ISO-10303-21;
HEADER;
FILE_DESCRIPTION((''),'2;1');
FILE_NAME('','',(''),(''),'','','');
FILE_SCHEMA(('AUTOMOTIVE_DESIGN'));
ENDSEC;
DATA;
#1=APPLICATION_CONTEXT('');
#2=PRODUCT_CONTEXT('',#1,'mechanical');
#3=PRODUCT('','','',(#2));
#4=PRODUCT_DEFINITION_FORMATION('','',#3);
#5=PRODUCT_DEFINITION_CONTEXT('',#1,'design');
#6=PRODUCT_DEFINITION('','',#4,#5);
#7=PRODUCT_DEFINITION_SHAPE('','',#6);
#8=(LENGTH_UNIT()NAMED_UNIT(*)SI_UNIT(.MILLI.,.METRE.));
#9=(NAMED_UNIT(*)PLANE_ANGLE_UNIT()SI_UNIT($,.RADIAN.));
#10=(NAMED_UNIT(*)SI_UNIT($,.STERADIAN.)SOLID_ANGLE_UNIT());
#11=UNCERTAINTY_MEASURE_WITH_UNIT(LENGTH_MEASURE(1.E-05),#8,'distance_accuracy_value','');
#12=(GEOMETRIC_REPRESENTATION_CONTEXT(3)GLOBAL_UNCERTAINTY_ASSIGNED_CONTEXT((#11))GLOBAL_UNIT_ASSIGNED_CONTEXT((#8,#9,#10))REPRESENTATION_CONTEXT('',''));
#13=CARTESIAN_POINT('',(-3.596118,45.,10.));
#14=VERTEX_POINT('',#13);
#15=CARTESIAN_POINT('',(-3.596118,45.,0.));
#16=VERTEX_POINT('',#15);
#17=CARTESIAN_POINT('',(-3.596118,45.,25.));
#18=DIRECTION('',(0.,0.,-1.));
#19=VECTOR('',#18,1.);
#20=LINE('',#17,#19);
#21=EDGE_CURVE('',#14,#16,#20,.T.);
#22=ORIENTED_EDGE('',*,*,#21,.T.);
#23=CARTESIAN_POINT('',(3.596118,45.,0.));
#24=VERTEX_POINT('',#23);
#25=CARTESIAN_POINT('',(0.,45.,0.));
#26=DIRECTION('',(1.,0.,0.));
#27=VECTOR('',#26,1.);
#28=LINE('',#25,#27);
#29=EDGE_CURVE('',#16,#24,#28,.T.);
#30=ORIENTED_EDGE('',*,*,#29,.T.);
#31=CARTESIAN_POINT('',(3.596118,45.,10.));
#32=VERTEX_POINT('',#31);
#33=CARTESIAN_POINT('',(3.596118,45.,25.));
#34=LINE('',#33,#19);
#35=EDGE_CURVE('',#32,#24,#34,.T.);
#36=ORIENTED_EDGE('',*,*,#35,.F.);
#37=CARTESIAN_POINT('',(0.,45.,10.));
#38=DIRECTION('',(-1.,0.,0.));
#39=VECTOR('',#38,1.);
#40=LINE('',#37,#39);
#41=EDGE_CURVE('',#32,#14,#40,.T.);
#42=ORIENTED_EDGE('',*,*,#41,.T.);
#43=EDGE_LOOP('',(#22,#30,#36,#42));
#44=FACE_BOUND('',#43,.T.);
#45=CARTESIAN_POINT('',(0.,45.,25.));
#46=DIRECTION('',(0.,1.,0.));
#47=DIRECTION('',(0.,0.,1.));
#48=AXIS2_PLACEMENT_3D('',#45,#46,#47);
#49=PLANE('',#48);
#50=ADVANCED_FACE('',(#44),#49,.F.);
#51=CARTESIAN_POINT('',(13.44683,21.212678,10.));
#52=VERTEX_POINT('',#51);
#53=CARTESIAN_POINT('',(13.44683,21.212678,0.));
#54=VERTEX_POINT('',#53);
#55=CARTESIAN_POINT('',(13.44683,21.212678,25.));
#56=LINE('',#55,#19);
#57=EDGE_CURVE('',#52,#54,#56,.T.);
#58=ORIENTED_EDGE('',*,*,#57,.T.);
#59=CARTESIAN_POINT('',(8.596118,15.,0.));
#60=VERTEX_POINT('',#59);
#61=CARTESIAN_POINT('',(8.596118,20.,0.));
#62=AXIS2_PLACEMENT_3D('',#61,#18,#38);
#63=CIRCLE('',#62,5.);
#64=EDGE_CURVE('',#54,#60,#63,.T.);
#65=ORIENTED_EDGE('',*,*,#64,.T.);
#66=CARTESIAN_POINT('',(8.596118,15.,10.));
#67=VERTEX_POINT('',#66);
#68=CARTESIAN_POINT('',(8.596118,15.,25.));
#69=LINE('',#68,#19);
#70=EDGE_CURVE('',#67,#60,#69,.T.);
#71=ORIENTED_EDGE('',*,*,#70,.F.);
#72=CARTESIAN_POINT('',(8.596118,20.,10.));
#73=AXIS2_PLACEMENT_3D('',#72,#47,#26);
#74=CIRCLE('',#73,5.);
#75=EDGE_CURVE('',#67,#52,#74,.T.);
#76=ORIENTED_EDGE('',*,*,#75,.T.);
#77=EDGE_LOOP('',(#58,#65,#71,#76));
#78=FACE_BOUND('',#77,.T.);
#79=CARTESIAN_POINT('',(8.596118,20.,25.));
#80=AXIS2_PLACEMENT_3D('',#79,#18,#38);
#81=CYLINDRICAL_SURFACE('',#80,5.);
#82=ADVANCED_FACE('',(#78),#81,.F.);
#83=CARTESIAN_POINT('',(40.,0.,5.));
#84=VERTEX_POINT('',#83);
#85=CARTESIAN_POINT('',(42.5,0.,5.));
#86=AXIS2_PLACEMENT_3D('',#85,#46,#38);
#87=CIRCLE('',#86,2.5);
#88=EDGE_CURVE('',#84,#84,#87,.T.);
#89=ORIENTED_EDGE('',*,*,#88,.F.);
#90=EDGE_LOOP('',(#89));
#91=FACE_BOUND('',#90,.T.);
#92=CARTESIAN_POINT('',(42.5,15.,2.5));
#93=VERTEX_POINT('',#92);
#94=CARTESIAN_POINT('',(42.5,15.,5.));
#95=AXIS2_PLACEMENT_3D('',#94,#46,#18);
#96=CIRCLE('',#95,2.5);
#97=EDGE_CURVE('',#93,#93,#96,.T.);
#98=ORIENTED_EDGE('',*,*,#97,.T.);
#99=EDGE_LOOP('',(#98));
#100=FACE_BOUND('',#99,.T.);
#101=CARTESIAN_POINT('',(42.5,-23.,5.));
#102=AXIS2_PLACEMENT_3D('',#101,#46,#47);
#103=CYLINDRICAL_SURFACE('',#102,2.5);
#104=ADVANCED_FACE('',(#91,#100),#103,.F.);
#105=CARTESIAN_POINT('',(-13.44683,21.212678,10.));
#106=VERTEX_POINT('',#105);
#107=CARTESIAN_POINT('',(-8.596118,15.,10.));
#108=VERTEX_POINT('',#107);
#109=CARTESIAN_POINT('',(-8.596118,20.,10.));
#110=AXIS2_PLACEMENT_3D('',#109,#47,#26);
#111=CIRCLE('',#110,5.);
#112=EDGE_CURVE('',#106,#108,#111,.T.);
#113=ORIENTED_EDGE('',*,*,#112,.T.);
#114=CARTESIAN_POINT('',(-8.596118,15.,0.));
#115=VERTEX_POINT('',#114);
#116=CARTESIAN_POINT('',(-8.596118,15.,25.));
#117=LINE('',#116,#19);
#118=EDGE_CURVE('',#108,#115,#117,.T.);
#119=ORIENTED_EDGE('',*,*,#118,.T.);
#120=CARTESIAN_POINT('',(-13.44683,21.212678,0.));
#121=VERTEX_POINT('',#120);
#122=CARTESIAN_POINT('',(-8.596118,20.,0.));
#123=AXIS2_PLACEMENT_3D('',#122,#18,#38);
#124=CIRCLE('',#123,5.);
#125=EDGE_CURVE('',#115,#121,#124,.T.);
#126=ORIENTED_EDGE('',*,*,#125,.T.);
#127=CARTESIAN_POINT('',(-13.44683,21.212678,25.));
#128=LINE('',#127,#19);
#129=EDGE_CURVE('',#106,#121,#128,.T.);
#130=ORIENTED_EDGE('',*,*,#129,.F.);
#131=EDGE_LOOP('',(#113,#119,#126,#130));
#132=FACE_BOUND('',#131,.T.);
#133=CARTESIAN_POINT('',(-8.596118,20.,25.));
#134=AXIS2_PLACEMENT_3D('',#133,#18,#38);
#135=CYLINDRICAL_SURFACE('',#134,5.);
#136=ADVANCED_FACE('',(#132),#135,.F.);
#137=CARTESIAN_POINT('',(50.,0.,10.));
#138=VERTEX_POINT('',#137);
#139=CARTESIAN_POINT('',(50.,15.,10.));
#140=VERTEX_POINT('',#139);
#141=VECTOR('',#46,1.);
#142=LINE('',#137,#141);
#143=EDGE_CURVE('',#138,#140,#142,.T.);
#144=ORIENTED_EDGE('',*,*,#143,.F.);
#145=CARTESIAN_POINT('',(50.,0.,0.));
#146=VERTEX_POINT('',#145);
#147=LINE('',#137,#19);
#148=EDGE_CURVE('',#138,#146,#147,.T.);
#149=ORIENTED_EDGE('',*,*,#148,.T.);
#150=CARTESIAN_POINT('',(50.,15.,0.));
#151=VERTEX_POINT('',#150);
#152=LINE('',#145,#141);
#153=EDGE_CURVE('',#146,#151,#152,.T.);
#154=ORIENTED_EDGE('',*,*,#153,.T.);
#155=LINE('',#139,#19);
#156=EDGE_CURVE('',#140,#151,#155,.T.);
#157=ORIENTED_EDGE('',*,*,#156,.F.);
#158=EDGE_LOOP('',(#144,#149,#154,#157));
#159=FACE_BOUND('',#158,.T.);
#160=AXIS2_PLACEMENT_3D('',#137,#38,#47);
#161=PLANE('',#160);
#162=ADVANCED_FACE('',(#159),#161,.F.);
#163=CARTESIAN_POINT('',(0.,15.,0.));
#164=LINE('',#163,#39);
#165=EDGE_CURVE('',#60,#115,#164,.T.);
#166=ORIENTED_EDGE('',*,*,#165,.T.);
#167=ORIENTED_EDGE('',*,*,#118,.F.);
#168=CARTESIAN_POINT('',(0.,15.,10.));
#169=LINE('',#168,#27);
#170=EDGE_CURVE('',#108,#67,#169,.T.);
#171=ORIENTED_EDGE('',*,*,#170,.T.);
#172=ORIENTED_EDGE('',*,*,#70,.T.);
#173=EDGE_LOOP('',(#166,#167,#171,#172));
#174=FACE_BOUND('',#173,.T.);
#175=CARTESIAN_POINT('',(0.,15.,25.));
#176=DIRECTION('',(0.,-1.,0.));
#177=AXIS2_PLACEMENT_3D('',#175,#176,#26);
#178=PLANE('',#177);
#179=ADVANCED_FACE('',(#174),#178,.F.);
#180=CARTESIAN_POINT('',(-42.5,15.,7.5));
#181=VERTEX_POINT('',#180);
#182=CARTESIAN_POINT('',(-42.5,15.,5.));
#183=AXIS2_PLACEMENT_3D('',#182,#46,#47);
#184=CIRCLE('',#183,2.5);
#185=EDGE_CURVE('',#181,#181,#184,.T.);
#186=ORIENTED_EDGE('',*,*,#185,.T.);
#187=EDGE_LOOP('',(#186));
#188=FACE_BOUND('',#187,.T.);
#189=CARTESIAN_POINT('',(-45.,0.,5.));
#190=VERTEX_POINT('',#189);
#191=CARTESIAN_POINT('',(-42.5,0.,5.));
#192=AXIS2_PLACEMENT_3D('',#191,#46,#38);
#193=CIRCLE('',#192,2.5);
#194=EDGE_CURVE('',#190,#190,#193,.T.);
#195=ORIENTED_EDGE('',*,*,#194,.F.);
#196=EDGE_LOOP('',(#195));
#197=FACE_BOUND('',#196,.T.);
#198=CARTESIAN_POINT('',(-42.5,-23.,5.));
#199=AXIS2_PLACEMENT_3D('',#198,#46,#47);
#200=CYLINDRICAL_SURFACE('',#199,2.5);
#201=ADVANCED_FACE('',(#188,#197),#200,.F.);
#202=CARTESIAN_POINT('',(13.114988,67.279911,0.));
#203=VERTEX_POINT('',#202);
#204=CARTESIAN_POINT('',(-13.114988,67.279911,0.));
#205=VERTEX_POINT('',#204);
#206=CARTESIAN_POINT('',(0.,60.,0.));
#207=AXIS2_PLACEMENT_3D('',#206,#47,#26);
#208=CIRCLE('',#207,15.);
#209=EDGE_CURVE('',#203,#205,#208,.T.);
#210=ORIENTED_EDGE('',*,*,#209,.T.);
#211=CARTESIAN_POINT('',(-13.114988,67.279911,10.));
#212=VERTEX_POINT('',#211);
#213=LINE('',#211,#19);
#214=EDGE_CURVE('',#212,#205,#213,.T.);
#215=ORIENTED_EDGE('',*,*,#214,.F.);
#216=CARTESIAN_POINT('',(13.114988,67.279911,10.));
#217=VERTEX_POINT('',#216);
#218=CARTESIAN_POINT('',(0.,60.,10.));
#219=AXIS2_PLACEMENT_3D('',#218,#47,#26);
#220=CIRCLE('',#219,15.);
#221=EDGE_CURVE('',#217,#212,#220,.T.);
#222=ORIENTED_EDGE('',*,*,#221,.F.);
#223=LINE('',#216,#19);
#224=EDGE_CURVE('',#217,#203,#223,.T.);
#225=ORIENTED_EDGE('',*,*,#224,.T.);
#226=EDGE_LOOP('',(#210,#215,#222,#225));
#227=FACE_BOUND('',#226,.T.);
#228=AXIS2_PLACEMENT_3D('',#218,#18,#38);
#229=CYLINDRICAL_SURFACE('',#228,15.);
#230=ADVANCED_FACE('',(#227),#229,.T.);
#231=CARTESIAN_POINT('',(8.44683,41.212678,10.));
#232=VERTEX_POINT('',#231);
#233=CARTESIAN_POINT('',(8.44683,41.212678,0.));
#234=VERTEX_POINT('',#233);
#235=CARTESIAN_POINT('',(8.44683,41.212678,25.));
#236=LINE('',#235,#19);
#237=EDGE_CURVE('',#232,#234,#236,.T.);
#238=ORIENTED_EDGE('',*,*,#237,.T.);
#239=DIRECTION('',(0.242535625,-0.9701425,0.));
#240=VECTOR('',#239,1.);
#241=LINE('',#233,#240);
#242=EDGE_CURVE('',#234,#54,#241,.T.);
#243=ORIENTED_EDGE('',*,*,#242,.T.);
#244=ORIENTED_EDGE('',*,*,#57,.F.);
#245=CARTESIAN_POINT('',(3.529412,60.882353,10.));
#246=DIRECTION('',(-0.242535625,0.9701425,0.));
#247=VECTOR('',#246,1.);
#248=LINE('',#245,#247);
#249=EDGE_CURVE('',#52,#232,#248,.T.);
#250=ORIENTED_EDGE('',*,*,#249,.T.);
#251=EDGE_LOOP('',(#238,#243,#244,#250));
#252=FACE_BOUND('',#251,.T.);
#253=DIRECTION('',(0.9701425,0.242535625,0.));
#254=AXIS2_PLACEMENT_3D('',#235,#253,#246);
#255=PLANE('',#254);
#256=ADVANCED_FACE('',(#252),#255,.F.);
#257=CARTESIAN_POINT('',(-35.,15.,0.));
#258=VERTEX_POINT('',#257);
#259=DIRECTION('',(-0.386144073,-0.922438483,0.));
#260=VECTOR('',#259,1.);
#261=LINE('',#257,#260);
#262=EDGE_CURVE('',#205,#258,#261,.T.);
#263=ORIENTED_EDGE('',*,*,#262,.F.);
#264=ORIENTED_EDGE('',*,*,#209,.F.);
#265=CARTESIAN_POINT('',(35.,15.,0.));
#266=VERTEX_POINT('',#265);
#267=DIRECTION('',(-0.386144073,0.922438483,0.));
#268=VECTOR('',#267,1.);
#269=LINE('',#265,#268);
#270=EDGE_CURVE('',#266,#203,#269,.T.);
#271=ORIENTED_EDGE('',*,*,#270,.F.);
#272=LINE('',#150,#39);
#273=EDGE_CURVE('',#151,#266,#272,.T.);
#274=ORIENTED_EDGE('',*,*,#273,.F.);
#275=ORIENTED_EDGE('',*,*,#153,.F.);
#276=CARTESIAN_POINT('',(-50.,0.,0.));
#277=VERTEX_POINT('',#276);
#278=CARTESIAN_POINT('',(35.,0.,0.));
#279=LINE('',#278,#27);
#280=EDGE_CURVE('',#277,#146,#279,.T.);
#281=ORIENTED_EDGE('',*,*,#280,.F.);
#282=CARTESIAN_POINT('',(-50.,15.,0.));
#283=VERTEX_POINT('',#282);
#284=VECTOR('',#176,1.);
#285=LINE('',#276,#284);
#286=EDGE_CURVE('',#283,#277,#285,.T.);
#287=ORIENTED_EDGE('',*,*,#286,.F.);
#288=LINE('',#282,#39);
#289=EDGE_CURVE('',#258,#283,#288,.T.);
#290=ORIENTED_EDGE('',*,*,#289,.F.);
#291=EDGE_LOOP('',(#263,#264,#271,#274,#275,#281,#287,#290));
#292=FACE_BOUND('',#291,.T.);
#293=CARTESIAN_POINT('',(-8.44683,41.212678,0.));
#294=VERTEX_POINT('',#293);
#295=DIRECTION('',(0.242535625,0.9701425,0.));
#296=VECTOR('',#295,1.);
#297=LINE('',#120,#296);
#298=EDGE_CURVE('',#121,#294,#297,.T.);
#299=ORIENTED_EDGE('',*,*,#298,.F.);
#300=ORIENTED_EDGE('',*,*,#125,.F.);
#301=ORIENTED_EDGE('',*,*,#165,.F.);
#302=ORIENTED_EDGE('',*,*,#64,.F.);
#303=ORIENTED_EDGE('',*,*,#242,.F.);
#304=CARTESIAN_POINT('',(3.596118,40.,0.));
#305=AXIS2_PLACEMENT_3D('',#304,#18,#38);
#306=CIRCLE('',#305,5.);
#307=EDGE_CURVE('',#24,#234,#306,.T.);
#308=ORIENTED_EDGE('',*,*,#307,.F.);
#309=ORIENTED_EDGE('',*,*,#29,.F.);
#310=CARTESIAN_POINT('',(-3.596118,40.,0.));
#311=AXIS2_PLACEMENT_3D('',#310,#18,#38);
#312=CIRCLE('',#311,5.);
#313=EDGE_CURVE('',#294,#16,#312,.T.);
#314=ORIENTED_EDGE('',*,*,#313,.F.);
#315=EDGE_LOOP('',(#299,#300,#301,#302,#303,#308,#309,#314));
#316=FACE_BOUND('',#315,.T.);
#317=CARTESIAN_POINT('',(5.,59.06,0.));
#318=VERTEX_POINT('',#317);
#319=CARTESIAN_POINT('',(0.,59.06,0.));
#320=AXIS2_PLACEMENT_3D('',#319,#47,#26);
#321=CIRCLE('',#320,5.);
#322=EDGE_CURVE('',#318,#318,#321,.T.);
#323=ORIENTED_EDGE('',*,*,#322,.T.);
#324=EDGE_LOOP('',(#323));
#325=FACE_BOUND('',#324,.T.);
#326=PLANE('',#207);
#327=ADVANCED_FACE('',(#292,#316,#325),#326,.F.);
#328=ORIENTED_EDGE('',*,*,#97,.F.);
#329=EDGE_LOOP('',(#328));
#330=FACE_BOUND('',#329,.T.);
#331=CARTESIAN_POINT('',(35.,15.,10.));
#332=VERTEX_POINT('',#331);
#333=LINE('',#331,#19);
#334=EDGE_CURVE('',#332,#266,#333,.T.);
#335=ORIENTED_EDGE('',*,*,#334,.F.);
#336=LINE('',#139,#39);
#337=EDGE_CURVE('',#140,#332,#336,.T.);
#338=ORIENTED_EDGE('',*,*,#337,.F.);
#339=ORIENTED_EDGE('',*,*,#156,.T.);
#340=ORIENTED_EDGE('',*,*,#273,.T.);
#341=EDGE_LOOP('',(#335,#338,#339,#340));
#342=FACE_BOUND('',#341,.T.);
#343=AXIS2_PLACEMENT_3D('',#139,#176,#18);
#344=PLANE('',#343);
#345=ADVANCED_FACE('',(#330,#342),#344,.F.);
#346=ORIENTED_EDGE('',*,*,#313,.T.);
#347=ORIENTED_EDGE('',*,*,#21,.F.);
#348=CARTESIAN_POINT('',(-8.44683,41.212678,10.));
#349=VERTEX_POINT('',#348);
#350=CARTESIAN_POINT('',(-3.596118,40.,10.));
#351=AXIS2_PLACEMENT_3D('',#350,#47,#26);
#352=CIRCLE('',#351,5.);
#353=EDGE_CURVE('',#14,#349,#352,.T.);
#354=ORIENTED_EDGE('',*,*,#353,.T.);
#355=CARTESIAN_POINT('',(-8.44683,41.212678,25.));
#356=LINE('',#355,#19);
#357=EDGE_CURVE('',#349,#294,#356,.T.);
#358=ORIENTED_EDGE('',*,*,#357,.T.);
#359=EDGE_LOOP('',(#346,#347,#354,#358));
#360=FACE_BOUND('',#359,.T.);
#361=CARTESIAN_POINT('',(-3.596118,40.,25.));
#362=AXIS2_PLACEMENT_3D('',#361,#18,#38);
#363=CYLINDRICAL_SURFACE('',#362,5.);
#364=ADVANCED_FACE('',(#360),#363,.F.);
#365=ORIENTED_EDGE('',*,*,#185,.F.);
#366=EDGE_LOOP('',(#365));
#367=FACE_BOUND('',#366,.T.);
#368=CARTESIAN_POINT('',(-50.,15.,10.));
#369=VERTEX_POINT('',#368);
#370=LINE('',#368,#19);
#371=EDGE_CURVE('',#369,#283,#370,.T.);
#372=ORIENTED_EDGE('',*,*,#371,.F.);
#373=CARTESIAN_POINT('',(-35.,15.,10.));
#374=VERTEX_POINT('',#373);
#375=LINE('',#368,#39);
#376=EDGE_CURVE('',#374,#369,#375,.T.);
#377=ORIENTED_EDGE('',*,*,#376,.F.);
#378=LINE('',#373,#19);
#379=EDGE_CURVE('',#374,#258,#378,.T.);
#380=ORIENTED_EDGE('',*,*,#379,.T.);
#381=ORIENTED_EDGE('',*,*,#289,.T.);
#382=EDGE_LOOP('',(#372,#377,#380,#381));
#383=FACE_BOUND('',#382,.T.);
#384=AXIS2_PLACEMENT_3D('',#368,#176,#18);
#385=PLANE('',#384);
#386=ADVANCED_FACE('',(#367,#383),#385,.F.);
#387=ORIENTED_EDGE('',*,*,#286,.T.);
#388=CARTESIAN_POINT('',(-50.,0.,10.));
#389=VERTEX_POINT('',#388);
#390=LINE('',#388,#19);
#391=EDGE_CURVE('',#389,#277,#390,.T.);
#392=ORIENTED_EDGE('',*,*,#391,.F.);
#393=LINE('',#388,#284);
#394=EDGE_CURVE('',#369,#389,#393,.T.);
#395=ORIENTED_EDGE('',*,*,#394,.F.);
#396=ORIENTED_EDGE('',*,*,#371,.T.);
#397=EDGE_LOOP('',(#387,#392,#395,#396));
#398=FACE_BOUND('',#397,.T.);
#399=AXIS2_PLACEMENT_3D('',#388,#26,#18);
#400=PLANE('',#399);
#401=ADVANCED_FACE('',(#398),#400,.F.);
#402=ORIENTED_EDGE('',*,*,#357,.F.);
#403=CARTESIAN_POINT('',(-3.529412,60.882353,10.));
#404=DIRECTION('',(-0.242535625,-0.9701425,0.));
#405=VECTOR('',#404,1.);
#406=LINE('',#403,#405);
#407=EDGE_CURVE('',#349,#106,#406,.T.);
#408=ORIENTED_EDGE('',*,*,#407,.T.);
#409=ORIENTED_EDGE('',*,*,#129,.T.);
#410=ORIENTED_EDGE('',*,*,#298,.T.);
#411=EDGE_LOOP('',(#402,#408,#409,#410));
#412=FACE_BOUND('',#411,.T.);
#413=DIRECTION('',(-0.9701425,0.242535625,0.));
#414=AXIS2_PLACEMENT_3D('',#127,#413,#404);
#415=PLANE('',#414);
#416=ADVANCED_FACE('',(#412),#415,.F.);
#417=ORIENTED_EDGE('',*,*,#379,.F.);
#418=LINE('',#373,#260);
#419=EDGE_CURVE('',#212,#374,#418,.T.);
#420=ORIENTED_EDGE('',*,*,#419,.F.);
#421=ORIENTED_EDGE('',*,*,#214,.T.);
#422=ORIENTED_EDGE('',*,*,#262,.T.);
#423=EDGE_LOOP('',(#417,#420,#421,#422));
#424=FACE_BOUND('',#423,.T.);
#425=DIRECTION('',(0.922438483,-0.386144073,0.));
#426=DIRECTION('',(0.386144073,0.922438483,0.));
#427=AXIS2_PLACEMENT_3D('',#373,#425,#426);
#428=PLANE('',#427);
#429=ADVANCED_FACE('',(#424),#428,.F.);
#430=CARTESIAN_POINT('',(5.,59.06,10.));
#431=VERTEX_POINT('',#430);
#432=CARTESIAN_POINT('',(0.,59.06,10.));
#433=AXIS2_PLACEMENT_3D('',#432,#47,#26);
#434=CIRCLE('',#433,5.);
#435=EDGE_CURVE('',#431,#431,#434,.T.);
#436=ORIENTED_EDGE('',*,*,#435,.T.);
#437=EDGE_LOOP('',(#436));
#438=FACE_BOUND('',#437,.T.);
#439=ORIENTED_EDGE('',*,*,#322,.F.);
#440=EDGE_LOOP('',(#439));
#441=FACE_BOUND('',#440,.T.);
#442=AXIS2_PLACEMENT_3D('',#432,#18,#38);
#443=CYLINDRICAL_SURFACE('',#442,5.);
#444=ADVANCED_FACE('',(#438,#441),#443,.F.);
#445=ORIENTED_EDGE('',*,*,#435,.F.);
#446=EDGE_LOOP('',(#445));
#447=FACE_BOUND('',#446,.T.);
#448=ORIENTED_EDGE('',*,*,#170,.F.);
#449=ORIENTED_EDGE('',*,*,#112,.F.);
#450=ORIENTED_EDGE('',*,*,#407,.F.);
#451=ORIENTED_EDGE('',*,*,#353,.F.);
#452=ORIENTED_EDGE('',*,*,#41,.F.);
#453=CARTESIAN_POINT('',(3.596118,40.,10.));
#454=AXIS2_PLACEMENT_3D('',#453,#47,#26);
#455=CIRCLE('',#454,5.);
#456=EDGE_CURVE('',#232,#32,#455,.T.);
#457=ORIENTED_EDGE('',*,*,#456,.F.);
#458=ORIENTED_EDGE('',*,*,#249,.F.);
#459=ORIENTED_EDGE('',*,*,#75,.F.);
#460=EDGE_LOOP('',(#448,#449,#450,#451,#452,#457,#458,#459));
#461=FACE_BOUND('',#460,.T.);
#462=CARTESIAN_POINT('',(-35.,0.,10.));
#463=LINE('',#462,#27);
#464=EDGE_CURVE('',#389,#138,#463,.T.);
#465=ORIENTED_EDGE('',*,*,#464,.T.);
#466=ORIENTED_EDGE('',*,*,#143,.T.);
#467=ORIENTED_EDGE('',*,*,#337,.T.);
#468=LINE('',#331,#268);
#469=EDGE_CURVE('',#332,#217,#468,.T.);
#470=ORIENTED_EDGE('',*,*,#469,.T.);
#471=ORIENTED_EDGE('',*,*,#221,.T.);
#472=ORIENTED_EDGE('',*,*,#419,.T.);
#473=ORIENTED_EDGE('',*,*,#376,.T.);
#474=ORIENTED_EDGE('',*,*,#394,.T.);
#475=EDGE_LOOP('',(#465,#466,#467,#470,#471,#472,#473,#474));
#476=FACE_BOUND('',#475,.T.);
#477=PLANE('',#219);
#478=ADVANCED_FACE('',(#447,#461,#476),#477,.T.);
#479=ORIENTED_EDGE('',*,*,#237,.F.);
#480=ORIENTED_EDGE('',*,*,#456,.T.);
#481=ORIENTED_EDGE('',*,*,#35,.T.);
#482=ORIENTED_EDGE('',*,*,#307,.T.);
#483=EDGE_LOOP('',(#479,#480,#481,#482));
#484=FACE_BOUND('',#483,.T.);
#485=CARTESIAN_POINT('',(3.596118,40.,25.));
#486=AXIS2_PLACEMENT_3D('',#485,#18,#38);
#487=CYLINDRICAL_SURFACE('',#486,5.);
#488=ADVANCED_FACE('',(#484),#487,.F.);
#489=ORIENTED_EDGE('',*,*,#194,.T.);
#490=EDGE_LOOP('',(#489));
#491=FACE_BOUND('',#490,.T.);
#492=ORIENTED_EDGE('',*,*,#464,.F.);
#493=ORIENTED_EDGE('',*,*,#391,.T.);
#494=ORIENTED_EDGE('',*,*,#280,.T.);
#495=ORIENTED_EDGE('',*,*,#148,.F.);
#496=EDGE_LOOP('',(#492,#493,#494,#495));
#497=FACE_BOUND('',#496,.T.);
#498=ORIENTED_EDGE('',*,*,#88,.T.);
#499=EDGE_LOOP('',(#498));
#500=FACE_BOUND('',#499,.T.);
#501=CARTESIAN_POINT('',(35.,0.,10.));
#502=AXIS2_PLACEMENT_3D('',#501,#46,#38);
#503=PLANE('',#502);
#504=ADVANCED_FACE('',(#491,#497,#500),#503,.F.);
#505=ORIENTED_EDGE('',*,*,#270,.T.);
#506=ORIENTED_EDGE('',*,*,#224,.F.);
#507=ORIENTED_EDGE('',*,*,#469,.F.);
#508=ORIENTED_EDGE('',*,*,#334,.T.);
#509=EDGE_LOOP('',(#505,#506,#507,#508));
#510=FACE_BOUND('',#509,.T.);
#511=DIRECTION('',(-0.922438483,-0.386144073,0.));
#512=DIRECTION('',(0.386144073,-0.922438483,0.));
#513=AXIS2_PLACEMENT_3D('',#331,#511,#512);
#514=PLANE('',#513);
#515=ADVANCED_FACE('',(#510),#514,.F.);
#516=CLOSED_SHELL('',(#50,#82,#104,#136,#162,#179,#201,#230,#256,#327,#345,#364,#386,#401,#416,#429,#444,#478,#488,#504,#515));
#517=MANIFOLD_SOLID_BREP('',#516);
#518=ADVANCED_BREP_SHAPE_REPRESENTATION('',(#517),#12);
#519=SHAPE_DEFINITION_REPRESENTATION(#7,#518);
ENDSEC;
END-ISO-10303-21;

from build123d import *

# Parameters (mm, degrees)
SKETCH1_R           = 5
BOSS_EXTRUDE2_DEPTH = 10
CUT_EXTRUDE1_DEPTH  = 25
SKETCH4_R           = 2.5
CUT_EXTRUDE2_DEPTH  = 38


with BuildPart() as part:
    # Sketch1 → Boss-Extrude2 (new body)
    with BuildSketch(Plane.XY):
        with BuildLine():
            Line((35, 15), (13.114987511, 67.279910892))
            ThreePointArc((13.114987511, 67.279910892), (0, 75), (-13.114987511, 67.279910892))
            Line((-13.114987511, 67.279910892), (-35, 15))
            Line((-35, 15), (-50, 15))
            Line((-50, 15), (-50, 0))
            Line((-50, 0), (-35, 0))
            Line((-35, 0), (35, 0))
            Line((35, 0), (50, 0))
            Line((50, 0), (50, 15))
            Line((50, 15), (35, 15))
        make_face()
        with Locations((0, 59.06)):
            Circle(SKETCH1_R, mode=Mode.SUBTRACT)
    extrude(amount=BOSS_EXTRUDE2_DEPTH)

    # Sketch3 → Cut-Extrude1 (cut)
    with BuildSketch(Plane(origin=(0, 0, 0), x_dir=(-1, 0, 0), z_dir=(0, 0, -1))):
        with BuildLine():
            Line((0, 15), (-8.596117968, 15))
            ThreePointArc((-8.596117968, 15), (-12.537145158, 16.922938953), (-13.446830469, 21.212678125))
            Line((-13.446830469, 21.212678125), (-8.446830469, 41.212678125))
            ThreePointArc((-8.446830469, 41.212678125), (-6.673179015, 43.94102719), (-3.596117968, 45))
            Line((-3.596117968, 45), (0, 45))
            Line((0, 45), (3.596117968, 45))
            ThreePointArc((3.596117968, 45), (6.673179015, 43.94102719), (8.446830469, 41.212678125))
            Line((8.446830469, 41.212678125), (13.446830469, 21.212678125))
            ThreePointArc((13.446830469, 21.212678125), (12.537145158, 16.922938953), (8.596117968, 15))
            Line((8.596117968, 15), (0, 15))
        make_face()
    extrude(amount=-CUT_EXTRUDE1_DEPTH, mode=Mode.SUBTRACT)

    # Sketch4 → Cut-Extrude2 (cut)
    with BuildSketch(Plane(origin=(0, 15, 0), x_dir=(1, 0, 0), z_dir=(0, 1, 0))):
        with Locations(Location((-42.5, -5, 0), (0, 0, 270))):
            Circle(SKETCH4_R)
        with Locations(Location((42.5, -5, 0), (0, 0, 180))):
            Circle(SKETCH4_R)
    extrude(amount=-CUT_EXTRUDE2_DEPTH, mode=Mode.SUBTRACT)


solid = part.part
